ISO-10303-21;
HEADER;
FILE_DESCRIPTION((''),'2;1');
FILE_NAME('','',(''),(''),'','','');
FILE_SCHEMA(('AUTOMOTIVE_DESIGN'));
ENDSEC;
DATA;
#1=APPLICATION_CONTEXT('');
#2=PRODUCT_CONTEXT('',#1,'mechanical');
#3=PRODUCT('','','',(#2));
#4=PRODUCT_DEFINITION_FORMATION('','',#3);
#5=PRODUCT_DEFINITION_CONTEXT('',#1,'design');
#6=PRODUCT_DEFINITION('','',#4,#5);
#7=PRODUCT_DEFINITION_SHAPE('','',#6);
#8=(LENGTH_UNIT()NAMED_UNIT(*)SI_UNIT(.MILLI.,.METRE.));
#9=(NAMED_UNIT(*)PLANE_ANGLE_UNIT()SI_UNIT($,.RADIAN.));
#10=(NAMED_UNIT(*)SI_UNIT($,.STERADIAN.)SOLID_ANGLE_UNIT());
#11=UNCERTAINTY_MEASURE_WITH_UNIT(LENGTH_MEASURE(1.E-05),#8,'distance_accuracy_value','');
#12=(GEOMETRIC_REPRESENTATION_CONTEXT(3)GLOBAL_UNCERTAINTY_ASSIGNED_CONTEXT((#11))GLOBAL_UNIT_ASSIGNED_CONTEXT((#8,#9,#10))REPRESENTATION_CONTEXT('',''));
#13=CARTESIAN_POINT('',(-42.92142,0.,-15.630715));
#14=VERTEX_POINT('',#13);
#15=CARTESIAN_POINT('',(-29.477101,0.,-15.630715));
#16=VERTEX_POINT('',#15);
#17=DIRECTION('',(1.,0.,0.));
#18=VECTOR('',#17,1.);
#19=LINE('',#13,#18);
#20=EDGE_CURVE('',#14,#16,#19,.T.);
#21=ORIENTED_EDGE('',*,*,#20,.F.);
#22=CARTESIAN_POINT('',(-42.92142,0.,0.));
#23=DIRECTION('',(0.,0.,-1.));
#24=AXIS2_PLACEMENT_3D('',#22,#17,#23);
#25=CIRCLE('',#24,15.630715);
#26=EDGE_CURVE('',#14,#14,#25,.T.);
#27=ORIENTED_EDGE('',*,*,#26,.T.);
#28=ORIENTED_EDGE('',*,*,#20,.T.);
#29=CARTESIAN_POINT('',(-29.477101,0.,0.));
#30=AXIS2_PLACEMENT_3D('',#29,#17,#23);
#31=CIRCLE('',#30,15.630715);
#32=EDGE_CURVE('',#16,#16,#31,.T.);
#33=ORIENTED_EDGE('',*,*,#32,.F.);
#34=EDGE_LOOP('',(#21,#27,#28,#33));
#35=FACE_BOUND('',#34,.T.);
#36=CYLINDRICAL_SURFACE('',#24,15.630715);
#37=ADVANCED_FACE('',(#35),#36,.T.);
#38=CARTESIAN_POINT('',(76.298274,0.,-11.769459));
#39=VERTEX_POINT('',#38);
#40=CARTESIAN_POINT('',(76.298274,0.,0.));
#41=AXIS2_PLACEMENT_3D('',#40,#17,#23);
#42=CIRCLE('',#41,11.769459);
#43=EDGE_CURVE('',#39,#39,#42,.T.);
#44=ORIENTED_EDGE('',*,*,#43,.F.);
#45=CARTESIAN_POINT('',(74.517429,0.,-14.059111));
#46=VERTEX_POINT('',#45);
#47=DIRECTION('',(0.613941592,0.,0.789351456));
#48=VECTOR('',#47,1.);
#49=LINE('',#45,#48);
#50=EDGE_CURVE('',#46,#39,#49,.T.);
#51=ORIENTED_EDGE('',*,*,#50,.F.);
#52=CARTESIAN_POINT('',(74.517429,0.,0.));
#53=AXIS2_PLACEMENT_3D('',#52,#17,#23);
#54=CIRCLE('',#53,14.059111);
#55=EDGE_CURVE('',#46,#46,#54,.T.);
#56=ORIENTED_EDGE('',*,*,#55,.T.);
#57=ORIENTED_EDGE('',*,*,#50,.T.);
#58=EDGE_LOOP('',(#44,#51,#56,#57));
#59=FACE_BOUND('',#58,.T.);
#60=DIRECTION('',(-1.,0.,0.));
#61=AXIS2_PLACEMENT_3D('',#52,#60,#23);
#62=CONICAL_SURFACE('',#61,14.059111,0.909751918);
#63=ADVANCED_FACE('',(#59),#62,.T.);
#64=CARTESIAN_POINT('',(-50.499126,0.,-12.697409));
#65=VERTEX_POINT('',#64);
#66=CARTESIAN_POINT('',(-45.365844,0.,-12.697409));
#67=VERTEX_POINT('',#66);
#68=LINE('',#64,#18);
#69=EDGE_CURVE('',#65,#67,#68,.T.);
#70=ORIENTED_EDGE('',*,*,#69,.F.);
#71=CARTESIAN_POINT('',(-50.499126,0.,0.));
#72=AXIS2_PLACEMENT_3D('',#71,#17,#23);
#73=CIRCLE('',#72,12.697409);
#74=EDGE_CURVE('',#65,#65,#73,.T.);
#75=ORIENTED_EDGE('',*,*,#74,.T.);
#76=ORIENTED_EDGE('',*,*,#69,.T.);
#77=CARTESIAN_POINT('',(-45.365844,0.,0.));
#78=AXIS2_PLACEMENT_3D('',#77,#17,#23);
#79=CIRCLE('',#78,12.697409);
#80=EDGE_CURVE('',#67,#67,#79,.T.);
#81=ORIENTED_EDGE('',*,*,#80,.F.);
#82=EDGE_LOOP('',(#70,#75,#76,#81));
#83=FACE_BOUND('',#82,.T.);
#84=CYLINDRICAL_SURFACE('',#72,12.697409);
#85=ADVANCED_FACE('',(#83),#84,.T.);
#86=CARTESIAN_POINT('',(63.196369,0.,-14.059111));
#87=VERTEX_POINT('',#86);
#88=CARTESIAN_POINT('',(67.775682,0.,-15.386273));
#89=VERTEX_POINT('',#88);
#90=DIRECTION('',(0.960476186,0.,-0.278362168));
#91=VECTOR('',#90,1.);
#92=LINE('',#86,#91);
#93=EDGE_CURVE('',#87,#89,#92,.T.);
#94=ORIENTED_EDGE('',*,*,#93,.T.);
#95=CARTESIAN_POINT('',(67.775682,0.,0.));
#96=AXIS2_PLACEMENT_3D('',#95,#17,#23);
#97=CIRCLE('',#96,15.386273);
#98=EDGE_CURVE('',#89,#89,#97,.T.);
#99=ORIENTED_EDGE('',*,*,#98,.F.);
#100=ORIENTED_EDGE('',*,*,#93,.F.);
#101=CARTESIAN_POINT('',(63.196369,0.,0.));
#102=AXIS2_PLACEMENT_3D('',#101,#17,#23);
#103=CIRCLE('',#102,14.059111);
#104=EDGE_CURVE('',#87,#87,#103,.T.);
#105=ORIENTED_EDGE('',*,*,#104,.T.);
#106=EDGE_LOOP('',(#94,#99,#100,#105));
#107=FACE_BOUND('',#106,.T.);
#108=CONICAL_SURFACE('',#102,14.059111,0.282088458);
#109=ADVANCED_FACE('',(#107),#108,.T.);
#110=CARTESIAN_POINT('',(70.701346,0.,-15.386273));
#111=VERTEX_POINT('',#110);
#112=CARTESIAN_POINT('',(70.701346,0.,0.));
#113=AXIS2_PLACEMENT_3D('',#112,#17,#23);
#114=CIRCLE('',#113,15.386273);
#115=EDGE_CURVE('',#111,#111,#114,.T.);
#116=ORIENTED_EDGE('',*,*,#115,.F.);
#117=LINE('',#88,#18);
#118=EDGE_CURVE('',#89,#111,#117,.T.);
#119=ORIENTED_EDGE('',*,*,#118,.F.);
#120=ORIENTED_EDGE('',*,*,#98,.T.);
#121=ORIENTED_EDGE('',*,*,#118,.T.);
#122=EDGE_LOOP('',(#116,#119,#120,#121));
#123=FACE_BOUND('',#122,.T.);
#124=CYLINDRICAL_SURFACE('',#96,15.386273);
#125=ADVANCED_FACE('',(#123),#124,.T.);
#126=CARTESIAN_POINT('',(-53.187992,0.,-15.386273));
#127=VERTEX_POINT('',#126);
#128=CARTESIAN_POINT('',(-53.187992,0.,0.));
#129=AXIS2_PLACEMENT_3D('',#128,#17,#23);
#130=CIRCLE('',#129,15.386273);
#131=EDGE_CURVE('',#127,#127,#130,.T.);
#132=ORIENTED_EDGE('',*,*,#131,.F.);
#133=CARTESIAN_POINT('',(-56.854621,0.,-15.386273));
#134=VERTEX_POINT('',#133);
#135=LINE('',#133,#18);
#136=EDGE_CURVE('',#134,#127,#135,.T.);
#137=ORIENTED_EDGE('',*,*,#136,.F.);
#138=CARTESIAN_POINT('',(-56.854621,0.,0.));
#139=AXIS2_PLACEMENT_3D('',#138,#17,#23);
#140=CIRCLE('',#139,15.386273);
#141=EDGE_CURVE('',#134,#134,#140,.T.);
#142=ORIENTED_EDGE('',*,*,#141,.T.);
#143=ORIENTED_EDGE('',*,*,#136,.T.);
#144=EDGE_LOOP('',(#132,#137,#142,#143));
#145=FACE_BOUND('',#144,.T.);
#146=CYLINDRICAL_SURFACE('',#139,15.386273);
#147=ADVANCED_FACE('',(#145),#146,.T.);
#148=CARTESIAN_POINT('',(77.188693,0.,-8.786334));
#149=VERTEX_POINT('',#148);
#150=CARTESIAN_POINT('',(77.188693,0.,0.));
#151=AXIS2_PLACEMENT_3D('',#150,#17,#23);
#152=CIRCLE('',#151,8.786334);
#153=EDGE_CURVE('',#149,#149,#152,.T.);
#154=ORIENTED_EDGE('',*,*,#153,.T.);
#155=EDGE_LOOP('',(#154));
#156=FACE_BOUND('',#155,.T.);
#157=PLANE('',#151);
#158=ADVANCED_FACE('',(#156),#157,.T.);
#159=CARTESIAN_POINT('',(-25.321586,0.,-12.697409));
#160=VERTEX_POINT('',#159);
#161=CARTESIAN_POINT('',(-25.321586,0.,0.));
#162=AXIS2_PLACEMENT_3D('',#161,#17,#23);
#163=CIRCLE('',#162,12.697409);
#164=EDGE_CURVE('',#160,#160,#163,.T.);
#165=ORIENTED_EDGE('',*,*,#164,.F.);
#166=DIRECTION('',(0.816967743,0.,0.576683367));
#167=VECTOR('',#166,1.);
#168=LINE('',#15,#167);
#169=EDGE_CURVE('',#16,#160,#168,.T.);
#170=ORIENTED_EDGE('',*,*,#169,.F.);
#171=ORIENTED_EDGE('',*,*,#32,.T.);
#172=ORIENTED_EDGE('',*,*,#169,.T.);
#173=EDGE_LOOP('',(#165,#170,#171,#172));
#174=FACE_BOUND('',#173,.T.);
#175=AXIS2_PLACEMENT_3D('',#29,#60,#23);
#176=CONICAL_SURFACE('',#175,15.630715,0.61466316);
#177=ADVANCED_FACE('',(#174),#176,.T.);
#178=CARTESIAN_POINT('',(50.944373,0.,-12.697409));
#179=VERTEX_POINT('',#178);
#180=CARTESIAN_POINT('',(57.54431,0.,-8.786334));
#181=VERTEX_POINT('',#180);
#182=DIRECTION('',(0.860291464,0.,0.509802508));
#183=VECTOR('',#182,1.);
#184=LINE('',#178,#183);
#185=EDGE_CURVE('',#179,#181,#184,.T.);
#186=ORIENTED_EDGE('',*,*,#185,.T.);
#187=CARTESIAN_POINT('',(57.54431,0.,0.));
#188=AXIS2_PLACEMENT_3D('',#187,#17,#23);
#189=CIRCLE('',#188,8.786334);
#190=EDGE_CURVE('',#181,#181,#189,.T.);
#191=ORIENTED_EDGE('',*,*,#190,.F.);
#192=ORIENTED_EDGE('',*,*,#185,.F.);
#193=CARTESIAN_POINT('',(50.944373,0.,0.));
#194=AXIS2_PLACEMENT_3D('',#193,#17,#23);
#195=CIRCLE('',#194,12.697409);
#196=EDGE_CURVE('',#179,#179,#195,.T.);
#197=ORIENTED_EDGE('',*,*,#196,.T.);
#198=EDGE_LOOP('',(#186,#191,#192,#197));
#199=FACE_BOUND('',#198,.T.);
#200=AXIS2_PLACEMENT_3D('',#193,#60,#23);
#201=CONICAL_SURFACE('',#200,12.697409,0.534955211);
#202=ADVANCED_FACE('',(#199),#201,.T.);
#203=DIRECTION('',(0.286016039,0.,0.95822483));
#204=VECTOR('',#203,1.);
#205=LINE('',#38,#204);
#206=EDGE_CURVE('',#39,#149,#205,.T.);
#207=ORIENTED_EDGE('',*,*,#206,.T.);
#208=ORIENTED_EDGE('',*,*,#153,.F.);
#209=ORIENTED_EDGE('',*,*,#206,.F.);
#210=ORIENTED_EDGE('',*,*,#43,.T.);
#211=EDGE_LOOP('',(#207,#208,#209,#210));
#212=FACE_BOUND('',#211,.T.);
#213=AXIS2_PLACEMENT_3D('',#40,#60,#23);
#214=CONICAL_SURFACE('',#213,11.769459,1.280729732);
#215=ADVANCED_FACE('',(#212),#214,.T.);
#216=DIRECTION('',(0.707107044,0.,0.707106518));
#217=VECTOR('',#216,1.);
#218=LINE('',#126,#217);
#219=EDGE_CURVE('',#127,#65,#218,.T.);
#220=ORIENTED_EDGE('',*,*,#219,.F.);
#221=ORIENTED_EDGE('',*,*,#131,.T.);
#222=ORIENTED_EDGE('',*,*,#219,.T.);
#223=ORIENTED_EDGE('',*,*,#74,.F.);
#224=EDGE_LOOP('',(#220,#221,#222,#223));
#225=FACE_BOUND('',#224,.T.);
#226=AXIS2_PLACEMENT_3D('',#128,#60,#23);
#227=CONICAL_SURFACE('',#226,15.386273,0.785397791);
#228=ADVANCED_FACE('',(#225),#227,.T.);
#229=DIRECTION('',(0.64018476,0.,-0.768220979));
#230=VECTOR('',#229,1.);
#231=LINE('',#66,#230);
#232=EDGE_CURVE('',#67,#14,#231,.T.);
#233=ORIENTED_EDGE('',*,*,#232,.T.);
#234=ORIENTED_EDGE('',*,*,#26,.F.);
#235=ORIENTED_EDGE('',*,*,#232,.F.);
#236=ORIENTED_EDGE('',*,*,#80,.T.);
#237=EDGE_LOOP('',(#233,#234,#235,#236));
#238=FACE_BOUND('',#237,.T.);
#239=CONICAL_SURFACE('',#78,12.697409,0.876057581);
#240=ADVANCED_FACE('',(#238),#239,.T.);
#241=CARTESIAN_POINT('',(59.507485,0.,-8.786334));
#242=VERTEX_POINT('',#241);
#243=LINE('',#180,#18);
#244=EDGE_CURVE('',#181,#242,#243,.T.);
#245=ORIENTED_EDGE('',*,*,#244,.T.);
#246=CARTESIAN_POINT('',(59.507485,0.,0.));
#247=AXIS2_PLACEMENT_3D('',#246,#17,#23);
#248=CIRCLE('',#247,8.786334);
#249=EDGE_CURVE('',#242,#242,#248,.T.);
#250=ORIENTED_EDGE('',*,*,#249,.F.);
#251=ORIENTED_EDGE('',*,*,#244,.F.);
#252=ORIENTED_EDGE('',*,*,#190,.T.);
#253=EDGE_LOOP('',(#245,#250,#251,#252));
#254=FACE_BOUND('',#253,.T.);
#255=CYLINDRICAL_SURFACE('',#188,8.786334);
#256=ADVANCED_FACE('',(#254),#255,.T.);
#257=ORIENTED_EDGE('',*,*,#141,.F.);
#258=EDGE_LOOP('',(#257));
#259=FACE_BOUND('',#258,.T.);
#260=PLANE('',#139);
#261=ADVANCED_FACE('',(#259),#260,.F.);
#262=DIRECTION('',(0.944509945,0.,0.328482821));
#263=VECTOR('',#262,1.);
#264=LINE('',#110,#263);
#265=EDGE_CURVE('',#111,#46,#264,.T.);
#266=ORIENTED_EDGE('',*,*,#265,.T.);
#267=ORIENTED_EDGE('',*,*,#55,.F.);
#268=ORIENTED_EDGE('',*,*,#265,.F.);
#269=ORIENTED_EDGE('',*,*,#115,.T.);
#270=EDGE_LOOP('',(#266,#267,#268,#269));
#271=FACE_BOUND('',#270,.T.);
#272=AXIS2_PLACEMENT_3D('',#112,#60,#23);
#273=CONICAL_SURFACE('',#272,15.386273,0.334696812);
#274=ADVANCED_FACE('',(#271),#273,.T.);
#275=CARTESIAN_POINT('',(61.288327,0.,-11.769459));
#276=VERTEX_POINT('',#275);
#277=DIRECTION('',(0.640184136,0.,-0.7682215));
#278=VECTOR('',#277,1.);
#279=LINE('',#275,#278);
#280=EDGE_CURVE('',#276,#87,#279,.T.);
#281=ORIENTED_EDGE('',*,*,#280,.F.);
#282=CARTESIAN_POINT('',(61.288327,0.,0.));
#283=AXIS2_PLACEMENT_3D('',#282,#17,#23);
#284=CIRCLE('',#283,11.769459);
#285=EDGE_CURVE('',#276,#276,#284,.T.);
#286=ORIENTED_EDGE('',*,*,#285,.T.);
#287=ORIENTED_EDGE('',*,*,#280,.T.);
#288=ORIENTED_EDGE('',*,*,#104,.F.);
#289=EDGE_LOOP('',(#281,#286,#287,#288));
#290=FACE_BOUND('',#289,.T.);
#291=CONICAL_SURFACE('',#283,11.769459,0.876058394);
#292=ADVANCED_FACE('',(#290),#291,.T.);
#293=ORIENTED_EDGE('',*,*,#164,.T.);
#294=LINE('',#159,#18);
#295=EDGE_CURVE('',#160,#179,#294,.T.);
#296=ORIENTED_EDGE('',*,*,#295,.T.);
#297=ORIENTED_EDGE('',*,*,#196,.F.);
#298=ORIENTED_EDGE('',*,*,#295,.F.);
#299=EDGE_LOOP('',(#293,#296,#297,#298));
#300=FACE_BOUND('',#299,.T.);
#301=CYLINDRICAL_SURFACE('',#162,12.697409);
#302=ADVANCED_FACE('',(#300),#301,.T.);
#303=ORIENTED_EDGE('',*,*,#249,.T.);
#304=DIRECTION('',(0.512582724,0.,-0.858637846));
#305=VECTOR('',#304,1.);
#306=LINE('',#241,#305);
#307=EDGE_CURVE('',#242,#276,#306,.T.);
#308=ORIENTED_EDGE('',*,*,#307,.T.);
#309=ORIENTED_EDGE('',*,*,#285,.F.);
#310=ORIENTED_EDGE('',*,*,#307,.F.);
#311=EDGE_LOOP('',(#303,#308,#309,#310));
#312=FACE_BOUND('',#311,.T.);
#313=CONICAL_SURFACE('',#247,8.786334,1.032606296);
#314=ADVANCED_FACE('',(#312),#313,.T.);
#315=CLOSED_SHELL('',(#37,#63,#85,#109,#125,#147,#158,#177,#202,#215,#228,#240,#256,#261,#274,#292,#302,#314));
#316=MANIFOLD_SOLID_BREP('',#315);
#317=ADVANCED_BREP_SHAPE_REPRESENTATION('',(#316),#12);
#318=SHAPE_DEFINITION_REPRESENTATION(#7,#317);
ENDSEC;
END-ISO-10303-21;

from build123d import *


with BuildPart() as f1:
    # F0 (on Front) → F1 (revolve)
    with BuildSketch(Plane.XZ):
        Polygon((77.188693, 0), (-56.854621, 0), (-56.854621, -15.386273), (-53.187992, -15.386273), (-50.499126, -12.697409), (-45.365844, -12.697409), (-42.92142, -15.630715), (-29.477101, -15.630715), (-25.321586, -12.697409), (0, -12.697409), (50.944373, -12.697409), (57.54431, -8.786334), (59.507485, -8.786334), (61.288327, -11.769459), (63.196369, -14.059111), (67.775682, -15.386273), (70.701346, -15.386273), (74.517429, -14.059111), (76.298274, -11.769459), (77.188693, -8.786334), (77.188693, -5.282109), align=None)
    revolve(axis=Axis((10.167036, 0, 0), (1, 0, 0)))


solid = f1.part
